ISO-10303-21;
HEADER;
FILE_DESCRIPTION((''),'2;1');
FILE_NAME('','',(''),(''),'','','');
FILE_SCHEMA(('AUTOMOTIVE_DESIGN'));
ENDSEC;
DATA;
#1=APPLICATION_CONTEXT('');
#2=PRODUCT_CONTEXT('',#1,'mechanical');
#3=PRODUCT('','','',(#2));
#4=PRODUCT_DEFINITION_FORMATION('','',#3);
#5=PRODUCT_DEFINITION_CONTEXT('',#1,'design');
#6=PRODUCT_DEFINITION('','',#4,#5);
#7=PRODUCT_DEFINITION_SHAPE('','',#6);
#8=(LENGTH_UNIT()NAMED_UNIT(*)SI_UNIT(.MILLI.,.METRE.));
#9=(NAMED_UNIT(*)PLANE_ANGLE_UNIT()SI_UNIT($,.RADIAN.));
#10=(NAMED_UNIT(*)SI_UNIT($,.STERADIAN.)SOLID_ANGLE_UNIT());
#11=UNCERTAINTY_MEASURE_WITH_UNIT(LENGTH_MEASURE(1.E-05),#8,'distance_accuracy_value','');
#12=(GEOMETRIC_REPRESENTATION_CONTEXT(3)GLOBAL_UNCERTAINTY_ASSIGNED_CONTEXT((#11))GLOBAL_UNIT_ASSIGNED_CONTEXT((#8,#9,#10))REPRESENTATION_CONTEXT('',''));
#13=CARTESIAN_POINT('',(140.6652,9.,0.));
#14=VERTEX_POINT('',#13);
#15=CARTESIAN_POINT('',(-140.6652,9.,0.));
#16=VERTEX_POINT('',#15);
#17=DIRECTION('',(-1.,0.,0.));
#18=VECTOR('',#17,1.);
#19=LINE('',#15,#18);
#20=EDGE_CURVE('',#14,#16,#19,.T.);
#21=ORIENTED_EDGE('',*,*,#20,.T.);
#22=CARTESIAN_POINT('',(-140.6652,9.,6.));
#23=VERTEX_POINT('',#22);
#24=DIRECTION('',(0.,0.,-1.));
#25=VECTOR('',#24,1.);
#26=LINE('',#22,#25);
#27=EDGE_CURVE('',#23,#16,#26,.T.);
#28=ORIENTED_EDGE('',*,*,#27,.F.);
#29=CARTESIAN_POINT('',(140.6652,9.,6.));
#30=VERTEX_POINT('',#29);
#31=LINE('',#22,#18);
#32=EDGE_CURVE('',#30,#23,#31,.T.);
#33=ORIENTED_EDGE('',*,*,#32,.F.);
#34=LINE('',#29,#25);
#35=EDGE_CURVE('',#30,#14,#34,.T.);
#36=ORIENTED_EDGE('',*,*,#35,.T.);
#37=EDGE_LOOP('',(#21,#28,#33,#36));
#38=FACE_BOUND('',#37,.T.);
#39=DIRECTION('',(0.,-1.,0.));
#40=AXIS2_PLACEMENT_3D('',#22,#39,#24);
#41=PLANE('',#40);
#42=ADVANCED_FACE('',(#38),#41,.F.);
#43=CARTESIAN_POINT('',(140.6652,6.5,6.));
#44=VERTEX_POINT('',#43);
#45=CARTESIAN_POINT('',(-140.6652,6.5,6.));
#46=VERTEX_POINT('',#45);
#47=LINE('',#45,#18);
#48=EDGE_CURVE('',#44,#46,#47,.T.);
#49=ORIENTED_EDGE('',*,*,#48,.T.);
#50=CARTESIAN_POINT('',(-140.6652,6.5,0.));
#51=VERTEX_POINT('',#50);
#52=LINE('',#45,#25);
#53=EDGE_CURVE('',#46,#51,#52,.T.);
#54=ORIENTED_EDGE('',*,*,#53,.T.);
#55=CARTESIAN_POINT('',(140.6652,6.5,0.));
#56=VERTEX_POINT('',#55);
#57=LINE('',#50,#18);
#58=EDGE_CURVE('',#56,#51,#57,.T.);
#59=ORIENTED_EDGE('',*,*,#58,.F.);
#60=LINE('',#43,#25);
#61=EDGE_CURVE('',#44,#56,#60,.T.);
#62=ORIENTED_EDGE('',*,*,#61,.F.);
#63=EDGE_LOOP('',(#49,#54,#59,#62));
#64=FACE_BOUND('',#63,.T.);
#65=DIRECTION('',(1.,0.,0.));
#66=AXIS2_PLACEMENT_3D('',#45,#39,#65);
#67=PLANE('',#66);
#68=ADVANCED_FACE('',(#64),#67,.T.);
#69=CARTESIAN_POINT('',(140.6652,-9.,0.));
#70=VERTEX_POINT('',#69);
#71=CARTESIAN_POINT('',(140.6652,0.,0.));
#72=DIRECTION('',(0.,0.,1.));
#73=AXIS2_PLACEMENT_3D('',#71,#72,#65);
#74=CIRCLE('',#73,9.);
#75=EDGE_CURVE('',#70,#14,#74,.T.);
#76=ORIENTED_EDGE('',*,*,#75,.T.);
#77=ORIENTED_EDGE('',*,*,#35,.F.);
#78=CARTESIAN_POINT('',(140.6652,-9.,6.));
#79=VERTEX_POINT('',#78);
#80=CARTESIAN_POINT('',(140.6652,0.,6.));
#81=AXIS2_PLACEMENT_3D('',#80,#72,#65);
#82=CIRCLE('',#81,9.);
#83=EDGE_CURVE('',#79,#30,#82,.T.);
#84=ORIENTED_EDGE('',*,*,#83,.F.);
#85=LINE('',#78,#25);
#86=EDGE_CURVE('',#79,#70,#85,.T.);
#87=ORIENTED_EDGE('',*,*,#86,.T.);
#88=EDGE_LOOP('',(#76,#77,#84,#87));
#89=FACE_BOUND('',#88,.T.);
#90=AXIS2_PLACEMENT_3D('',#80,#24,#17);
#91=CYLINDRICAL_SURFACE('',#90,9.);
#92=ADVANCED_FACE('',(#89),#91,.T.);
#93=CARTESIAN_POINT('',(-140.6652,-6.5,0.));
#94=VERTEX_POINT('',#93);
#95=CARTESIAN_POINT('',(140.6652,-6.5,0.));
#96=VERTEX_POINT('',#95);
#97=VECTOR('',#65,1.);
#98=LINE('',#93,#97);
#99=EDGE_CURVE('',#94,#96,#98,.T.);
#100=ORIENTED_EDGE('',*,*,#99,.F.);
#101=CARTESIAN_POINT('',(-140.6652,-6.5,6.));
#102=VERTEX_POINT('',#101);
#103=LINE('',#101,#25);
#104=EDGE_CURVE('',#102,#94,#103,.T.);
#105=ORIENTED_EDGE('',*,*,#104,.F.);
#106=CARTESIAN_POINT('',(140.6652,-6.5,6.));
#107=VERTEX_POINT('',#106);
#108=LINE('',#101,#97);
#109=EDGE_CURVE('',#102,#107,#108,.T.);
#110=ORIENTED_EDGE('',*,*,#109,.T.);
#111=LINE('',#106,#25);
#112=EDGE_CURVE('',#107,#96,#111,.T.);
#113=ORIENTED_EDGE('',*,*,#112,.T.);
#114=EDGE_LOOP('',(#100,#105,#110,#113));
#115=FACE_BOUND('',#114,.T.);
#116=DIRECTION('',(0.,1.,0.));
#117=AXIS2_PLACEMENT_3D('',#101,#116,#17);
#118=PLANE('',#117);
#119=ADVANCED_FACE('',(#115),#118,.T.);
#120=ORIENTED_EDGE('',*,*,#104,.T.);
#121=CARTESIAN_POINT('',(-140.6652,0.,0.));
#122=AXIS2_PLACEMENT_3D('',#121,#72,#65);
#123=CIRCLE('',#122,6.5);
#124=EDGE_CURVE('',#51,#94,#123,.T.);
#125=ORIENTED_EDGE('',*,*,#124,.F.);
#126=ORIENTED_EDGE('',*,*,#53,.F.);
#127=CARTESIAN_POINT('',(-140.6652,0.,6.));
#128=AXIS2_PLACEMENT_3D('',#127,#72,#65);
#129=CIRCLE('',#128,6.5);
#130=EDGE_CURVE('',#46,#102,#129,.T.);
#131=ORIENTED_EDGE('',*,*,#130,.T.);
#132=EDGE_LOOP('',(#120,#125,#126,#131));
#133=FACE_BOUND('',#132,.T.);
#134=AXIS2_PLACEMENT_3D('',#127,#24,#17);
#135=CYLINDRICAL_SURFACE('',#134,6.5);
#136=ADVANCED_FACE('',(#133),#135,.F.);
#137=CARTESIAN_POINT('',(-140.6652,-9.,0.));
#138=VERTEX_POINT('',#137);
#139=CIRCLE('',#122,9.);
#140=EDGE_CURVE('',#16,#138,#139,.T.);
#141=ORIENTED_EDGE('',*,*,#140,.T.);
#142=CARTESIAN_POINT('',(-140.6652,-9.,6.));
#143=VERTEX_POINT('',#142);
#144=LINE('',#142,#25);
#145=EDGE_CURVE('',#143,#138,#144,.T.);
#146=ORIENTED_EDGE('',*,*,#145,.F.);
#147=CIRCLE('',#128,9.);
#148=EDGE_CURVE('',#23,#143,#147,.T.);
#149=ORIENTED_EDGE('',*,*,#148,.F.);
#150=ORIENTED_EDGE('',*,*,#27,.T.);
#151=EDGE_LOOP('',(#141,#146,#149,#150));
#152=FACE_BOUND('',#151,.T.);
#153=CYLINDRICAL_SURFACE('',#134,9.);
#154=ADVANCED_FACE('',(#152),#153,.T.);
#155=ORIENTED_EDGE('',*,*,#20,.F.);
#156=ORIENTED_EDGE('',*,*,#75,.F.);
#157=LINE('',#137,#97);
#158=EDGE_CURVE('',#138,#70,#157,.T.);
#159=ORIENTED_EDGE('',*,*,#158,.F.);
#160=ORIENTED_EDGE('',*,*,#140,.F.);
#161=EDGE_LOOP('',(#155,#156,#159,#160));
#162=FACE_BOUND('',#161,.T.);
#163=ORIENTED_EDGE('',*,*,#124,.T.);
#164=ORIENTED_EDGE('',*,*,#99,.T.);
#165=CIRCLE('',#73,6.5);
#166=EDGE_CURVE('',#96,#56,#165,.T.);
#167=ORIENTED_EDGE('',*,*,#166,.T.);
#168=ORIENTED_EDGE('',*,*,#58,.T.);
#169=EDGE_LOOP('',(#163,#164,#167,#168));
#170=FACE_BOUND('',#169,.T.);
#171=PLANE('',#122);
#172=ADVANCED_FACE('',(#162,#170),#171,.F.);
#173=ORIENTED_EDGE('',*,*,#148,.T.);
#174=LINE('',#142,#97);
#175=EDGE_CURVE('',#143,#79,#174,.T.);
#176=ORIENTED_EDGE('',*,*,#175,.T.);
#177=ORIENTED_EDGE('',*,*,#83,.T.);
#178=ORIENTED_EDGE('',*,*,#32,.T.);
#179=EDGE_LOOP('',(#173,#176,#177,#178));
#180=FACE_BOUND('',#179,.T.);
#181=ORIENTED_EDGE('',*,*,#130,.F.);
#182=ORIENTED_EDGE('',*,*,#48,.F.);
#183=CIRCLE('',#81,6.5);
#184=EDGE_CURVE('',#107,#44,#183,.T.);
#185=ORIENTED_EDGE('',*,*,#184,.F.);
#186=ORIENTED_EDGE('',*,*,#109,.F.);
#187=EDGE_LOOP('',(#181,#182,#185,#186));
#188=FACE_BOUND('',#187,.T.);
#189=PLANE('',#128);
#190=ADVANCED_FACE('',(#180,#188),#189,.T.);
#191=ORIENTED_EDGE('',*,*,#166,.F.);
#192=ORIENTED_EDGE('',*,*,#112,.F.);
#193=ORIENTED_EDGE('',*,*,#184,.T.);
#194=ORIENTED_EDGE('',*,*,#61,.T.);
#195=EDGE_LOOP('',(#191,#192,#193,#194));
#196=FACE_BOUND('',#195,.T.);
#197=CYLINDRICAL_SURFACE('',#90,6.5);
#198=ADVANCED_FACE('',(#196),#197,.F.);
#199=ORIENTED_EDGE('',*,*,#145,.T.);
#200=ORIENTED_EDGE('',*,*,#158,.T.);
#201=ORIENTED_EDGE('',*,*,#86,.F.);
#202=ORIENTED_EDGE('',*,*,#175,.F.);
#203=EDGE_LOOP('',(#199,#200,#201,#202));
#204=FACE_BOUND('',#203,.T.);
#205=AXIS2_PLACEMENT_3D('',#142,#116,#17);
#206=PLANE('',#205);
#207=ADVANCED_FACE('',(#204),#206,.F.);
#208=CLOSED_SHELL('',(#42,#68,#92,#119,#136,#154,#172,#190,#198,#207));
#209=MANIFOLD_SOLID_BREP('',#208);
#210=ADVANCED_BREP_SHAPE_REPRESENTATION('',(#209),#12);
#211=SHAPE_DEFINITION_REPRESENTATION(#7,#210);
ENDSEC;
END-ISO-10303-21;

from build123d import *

# Parameters (mm, degrees)
BOSS_EXTRUDE1_DEPTH = 6


with BuildPart() as part:
    # Sketch2 → Boss-Extrude1 (new body)
    with BuildSketch(Plane.XY):
        with BuildLine():
            Line((-140.6652, 9), (140.6652, 9))
            ThreePointArc((140.6652, 9), (149.6652, 0), (140.6652, -9))
            Line((140.6652, -9), (-140.6652, -9))
            ThreePointArc((-140.6652, -9), (-149.6652, 0), (-140.6652, 9))
        make_face()
        with BuildLine():
            Line((-140.6652, 6.5), (140.6652, 6.5))
            ThreePointArc((140.6652, 6.5), (147.1652, 0), (140.6652, -6.5))
            Line((140.6652, -6.5), (-140.6652, -6.5))
            ThreePointArc((-140.6652, -6.5), (-147.1652, 0), (-140.6652, 6.5))
        make_face(mode=Mode.SUBTRACT)
    extrude(amount=BOSS_EXTRUDE1_DEPTH)


solid = part.part
